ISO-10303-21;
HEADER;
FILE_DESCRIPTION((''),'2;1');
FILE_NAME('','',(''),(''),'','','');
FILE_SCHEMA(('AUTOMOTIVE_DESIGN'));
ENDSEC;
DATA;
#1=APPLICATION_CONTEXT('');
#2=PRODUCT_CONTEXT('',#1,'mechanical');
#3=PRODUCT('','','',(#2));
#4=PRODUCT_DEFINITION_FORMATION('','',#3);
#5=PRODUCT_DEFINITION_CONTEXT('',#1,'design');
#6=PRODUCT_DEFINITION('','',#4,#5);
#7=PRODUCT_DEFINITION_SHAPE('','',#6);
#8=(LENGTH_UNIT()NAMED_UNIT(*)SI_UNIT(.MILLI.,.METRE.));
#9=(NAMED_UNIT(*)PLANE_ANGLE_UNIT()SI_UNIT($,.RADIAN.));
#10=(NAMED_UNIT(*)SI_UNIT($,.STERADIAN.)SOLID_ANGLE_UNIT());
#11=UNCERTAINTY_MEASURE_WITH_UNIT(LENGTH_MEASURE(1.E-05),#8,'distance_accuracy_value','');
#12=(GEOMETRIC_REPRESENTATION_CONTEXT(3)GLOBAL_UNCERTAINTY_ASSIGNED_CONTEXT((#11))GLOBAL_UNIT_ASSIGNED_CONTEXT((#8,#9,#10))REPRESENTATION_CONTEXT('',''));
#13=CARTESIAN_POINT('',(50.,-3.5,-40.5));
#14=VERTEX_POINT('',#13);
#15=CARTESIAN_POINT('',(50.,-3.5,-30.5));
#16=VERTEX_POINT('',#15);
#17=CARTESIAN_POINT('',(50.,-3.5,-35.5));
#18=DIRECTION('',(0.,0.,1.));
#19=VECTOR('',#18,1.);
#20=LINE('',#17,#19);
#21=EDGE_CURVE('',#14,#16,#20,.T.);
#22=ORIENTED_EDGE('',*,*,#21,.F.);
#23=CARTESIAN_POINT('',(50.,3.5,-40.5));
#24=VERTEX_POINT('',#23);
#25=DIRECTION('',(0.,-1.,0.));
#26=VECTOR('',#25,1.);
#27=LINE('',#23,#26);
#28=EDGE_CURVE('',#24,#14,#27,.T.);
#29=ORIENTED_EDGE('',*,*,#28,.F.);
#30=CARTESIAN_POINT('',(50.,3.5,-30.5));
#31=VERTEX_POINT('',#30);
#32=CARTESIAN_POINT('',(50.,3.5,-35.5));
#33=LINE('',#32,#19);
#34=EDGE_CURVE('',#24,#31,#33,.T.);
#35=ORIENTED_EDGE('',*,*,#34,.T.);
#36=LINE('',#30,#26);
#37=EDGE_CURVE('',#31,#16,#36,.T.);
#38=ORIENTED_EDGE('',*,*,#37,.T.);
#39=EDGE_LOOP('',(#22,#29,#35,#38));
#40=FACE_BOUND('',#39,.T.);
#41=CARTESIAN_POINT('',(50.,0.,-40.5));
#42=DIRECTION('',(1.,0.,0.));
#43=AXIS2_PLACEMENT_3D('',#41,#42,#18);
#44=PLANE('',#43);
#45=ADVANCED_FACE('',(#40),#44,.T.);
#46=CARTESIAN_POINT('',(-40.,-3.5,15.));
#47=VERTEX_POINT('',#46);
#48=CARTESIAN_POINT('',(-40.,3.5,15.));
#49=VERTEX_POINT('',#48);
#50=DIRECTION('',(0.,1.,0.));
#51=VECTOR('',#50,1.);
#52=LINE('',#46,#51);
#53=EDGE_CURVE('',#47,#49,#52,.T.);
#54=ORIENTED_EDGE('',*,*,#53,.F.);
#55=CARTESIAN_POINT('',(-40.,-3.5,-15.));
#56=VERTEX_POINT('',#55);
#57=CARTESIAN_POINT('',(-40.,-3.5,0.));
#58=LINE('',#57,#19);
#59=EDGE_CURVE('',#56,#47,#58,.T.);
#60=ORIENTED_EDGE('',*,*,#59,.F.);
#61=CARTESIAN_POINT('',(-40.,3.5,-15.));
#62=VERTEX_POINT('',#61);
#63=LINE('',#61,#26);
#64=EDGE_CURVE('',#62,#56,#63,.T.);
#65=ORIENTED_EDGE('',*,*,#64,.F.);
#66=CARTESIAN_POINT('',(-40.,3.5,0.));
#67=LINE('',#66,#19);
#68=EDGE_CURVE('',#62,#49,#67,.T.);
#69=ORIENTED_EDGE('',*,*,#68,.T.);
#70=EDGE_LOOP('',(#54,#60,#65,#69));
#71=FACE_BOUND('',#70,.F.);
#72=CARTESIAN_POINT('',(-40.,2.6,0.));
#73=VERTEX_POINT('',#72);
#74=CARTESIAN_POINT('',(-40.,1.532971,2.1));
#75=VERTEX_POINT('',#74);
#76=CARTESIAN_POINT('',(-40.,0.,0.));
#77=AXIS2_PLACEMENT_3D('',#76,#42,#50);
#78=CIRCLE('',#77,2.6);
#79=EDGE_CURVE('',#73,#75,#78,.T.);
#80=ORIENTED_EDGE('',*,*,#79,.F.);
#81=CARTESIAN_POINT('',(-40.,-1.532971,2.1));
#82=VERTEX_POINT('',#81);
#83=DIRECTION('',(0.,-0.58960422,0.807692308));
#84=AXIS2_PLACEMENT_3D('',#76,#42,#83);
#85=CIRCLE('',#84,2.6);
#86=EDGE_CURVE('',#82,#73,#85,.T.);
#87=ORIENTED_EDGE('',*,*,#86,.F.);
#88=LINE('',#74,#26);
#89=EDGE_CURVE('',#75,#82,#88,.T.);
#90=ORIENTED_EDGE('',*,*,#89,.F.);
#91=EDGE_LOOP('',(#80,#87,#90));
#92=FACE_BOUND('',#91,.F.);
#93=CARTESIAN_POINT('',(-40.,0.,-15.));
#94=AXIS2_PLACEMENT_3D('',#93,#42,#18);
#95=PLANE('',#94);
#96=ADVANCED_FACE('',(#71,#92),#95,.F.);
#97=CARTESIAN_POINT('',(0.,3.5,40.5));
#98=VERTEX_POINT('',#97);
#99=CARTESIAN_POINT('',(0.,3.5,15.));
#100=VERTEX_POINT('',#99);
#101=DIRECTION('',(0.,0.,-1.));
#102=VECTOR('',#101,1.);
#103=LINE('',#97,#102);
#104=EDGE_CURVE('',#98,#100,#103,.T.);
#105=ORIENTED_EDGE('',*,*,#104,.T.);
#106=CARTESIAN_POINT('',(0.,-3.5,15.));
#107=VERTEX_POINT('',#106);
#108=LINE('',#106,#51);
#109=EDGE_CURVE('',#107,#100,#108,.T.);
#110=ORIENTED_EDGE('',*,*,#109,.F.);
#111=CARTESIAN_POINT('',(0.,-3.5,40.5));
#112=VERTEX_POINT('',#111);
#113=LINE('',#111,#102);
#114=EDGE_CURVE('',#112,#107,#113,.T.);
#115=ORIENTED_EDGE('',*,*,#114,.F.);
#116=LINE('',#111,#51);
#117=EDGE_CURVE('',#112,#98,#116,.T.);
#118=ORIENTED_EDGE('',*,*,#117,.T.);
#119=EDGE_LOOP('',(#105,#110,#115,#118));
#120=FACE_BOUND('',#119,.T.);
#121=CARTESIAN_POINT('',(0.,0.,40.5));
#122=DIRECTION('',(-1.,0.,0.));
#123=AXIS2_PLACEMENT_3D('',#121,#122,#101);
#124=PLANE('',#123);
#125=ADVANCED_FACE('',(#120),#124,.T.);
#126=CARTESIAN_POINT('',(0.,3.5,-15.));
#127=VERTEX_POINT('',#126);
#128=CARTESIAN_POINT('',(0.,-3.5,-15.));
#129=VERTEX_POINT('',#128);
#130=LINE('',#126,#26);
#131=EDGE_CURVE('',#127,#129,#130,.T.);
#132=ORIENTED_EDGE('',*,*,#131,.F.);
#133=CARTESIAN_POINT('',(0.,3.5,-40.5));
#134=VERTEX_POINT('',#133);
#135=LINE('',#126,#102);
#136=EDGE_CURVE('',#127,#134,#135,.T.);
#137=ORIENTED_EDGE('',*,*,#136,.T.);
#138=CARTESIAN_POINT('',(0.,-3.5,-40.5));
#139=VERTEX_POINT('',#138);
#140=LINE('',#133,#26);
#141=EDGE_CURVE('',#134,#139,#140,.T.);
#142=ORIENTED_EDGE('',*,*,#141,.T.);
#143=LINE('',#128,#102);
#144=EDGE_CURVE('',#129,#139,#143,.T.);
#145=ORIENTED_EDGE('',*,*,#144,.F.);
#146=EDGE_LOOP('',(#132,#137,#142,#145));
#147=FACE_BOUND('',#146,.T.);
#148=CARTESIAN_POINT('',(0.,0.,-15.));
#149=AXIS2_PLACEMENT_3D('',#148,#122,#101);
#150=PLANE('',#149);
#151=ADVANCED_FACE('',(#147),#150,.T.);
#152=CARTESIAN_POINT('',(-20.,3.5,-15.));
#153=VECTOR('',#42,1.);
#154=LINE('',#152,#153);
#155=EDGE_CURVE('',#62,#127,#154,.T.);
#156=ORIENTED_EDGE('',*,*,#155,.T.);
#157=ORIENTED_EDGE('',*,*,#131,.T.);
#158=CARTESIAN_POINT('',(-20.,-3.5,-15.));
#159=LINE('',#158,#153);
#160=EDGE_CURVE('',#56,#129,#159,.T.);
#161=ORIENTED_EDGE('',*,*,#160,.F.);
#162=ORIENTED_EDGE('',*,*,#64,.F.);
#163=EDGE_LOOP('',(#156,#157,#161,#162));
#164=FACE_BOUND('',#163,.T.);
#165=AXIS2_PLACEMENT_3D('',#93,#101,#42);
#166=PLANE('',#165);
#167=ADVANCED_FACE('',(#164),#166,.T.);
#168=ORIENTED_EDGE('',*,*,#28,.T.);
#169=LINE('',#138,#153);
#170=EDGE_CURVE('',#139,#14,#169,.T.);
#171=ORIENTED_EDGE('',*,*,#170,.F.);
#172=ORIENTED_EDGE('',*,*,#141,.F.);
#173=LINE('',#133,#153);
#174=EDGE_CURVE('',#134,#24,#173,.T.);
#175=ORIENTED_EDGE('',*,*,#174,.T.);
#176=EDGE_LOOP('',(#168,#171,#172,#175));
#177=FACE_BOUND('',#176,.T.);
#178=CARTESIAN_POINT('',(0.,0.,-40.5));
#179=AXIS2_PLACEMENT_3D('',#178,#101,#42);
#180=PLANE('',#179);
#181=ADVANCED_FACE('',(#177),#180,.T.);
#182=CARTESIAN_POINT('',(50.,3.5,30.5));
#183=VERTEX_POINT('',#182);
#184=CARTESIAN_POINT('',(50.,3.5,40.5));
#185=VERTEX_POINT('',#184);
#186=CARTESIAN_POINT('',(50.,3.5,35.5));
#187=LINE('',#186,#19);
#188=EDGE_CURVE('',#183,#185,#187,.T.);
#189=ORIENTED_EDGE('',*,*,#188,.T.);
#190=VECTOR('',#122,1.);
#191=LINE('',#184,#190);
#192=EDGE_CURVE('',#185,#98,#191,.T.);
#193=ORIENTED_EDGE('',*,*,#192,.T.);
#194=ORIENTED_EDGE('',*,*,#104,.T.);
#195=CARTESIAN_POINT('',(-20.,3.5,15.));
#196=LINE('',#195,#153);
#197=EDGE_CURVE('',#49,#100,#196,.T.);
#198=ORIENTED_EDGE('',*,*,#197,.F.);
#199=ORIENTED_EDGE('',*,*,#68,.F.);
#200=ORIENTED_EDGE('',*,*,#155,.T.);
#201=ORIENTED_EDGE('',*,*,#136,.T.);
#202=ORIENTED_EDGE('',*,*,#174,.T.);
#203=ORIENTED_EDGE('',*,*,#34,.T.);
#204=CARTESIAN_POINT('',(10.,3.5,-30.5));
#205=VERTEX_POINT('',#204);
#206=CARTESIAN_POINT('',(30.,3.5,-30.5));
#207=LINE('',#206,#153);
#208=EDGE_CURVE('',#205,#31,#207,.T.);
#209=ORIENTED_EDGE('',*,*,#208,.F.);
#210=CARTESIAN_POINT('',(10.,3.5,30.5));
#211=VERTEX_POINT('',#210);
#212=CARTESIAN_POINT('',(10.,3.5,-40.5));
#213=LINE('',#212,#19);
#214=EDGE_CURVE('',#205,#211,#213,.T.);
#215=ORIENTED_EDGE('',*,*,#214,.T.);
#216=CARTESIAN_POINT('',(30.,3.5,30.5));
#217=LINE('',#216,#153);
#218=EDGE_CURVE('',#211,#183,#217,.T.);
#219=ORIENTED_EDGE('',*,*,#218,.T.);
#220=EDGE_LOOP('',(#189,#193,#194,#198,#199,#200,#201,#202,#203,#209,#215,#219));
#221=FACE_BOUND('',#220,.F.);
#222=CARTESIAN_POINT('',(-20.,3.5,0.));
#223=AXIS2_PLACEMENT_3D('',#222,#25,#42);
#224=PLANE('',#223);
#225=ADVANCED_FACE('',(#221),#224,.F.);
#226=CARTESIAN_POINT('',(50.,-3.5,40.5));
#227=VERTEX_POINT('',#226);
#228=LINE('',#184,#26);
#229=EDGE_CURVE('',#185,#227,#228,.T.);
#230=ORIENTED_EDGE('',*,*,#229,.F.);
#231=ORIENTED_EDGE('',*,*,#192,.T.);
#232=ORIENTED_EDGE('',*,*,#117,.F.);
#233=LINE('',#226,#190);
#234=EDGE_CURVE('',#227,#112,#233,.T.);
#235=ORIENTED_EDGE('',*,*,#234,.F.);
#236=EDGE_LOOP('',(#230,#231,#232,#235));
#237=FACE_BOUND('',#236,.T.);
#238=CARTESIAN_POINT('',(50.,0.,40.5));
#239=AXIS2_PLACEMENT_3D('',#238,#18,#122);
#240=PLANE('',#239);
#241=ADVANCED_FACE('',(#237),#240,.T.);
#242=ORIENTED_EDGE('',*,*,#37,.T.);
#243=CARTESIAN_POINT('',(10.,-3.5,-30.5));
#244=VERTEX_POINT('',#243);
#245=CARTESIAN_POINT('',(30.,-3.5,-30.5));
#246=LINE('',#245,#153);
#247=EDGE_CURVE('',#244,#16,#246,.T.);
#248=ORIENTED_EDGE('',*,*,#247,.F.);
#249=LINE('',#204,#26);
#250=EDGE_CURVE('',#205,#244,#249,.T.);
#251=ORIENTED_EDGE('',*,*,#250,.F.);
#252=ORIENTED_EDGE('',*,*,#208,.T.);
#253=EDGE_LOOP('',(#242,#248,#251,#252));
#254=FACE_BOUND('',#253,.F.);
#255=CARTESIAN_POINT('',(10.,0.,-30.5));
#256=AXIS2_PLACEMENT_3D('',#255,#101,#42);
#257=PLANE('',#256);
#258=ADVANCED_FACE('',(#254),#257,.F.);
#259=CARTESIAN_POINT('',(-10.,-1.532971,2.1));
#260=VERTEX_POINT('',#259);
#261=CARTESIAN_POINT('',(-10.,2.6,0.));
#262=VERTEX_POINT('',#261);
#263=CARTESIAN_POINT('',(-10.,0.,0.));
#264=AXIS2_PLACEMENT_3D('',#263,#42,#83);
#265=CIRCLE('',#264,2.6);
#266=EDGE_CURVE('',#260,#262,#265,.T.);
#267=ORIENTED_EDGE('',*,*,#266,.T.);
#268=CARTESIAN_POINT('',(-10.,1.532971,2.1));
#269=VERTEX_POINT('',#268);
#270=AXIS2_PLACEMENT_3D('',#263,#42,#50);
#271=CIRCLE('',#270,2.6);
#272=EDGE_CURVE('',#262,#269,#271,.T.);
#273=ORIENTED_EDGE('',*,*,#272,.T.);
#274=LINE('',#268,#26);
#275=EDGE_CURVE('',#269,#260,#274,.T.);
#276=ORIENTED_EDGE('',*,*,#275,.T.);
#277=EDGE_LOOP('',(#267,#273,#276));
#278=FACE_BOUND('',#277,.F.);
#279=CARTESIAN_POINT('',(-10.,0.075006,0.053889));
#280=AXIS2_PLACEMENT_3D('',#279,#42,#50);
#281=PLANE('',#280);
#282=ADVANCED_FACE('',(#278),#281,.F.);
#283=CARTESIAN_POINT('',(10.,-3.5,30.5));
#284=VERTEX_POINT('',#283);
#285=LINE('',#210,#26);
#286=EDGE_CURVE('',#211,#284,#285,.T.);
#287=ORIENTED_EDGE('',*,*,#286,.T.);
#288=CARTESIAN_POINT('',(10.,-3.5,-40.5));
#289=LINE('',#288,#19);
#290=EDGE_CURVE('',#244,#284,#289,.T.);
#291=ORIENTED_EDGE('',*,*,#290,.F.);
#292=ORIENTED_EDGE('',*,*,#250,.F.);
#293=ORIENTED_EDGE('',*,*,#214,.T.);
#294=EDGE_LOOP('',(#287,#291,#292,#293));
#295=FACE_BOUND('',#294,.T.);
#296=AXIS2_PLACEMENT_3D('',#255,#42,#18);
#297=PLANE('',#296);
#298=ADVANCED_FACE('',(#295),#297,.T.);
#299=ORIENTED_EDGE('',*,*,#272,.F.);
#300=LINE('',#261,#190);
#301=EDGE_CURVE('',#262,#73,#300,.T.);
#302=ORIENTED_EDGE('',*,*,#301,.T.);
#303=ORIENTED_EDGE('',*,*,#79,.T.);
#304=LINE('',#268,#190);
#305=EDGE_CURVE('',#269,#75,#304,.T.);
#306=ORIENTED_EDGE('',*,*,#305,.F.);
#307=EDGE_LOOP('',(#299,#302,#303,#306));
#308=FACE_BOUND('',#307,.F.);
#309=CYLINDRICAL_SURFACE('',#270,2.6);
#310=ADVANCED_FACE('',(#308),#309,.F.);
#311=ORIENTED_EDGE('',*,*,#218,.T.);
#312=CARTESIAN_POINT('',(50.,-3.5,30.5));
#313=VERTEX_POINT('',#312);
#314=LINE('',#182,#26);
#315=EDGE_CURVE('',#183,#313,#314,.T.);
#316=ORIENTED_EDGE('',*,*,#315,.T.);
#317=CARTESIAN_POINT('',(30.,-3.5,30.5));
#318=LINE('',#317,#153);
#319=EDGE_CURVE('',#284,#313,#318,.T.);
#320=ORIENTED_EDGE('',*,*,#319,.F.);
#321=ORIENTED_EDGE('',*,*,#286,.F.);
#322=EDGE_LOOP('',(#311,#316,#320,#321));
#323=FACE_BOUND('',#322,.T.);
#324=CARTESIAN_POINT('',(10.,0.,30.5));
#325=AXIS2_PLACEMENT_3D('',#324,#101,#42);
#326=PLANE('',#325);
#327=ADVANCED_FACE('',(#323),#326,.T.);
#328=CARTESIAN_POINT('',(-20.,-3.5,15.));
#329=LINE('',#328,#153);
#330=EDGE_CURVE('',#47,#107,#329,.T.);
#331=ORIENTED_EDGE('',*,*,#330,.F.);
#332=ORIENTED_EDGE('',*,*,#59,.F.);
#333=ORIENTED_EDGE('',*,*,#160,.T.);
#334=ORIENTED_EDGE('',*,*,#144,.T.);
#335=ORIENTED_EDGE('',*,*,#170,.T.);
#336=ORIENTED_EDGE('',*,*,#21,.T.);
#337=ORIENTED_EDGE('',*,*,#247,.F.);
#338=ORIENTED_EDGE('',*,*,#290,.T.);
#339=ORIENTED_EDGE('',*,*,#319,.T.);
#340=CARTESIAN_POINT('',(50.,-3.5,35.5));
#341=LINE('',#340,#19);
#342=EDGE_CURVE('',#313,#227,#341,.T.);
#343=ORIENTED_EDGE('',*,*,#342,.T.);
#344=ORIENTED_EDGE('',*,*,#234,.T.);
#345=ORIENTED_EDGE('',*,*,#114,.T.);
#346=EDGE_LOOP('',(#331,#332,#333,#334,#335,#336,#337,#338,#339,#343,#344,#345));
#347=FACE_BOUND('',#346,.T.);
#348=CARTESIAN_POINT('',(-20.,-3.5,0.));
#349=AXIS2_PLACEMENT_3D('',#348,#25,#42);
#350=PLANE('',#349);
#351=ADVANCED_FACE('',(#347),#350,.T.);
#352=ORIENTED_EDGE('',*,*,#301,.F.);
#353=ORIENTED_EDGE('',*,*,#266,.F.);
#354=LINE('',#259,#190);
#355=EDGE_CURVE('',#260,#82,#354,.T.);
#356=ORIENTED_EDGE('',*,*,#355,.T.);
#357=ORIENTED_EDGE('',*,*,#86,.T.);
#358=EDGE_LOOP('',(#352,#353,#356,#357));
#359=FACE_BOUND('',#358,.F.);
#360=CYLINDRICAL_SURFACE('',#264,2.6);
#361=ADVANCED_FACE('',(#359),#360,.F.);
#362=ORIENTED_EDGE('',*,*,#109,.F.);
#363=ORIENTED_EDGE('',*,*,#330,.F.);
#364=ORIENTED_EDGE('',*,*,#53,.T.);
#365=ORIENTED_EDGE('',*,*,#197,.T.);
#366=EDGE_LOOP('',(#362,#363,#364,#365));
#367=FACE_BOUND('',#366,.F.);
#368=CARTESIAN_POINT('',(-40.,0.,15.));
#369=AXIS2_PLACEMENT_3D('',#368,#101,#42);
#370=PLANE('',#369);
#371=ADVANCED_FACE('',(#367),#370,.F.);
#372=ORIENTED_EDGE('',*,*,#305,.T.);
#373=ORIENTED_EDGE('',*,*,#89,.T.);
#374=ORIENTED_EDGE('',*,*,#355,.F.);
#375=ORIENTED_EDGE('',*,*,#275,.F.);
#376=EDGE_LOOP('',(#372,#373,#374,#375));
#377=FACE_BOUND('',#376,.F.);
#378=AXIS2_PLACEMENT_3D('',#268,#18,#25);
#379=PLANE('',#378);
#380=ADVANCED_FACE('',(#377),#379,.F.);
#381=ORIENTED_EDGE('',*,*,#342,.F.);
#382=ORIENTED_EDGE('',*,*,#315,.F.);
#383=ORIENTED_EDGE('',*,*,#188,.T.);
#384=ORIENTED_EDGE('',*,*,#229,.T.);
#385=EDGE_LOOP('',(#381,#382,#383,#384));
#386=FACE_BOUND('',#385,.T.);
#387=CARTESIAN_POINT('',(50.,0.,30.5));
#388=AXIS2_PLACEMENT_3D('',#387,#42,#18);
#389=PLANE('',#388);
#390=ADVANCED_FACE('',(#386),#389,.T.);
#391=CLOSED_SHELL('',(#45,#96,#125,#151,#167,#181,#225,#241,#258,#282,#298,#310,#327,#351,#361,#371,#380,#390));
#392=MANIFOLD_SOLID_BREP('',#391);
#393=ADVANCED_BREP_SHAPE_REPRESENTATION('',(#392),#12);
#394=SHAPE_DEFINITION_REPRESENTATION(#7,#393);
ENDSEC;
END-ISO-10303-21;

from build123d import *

# Parameters (mm, degrees)
F0_W     = 40
F0_H     = 30
F0_H_2   = 10
F1_DEPTH = 3.5
F3_START = -10
F3_DEPTH = 30


with BuildPart() as f1:
    # F0 (on Front) → F1 (new body, symmetric)
    with BuildSketch(Plane.XZ):
        with Locations((-20, 0)):
            Rectangle(F0_W, F0_H)
        Polygon((0, 40.5), (0, 15), (0, -15), (0, -40.5), (10, -40.5), (10, -30.5), (10, 30.5), (10, 40.5), align=None)
        with Locations((30, 35.5)):
            Rectangle(F0_W, F0_H_2)
        with Locations((30, -35.5)):
            Rectangle(F0_W, F0_H_2)
    extrude(amount=F1_DEPTH, both=True)

    # F2 (on Right) → F3 (cut)
    with BuildSketch(Plane.YZ.offset(F3_START)):
        with BuildLine():
            ThreePointArc((-1.5329709717, 2.1), (-1.1777681167, -2.3179435418), (2.6, 0))
            ThreePointArc((2.6, 0), (2.3179435418, 1.1777681167), (1.5329709717, 2.1))
            Line((1.5329709717, 2.1), (-1.5329709717, 2.1))
        make_face()
    extrude(amount=-F3_DEPTH, mode=Mode.SUBTRACT)


solid = f1.part
